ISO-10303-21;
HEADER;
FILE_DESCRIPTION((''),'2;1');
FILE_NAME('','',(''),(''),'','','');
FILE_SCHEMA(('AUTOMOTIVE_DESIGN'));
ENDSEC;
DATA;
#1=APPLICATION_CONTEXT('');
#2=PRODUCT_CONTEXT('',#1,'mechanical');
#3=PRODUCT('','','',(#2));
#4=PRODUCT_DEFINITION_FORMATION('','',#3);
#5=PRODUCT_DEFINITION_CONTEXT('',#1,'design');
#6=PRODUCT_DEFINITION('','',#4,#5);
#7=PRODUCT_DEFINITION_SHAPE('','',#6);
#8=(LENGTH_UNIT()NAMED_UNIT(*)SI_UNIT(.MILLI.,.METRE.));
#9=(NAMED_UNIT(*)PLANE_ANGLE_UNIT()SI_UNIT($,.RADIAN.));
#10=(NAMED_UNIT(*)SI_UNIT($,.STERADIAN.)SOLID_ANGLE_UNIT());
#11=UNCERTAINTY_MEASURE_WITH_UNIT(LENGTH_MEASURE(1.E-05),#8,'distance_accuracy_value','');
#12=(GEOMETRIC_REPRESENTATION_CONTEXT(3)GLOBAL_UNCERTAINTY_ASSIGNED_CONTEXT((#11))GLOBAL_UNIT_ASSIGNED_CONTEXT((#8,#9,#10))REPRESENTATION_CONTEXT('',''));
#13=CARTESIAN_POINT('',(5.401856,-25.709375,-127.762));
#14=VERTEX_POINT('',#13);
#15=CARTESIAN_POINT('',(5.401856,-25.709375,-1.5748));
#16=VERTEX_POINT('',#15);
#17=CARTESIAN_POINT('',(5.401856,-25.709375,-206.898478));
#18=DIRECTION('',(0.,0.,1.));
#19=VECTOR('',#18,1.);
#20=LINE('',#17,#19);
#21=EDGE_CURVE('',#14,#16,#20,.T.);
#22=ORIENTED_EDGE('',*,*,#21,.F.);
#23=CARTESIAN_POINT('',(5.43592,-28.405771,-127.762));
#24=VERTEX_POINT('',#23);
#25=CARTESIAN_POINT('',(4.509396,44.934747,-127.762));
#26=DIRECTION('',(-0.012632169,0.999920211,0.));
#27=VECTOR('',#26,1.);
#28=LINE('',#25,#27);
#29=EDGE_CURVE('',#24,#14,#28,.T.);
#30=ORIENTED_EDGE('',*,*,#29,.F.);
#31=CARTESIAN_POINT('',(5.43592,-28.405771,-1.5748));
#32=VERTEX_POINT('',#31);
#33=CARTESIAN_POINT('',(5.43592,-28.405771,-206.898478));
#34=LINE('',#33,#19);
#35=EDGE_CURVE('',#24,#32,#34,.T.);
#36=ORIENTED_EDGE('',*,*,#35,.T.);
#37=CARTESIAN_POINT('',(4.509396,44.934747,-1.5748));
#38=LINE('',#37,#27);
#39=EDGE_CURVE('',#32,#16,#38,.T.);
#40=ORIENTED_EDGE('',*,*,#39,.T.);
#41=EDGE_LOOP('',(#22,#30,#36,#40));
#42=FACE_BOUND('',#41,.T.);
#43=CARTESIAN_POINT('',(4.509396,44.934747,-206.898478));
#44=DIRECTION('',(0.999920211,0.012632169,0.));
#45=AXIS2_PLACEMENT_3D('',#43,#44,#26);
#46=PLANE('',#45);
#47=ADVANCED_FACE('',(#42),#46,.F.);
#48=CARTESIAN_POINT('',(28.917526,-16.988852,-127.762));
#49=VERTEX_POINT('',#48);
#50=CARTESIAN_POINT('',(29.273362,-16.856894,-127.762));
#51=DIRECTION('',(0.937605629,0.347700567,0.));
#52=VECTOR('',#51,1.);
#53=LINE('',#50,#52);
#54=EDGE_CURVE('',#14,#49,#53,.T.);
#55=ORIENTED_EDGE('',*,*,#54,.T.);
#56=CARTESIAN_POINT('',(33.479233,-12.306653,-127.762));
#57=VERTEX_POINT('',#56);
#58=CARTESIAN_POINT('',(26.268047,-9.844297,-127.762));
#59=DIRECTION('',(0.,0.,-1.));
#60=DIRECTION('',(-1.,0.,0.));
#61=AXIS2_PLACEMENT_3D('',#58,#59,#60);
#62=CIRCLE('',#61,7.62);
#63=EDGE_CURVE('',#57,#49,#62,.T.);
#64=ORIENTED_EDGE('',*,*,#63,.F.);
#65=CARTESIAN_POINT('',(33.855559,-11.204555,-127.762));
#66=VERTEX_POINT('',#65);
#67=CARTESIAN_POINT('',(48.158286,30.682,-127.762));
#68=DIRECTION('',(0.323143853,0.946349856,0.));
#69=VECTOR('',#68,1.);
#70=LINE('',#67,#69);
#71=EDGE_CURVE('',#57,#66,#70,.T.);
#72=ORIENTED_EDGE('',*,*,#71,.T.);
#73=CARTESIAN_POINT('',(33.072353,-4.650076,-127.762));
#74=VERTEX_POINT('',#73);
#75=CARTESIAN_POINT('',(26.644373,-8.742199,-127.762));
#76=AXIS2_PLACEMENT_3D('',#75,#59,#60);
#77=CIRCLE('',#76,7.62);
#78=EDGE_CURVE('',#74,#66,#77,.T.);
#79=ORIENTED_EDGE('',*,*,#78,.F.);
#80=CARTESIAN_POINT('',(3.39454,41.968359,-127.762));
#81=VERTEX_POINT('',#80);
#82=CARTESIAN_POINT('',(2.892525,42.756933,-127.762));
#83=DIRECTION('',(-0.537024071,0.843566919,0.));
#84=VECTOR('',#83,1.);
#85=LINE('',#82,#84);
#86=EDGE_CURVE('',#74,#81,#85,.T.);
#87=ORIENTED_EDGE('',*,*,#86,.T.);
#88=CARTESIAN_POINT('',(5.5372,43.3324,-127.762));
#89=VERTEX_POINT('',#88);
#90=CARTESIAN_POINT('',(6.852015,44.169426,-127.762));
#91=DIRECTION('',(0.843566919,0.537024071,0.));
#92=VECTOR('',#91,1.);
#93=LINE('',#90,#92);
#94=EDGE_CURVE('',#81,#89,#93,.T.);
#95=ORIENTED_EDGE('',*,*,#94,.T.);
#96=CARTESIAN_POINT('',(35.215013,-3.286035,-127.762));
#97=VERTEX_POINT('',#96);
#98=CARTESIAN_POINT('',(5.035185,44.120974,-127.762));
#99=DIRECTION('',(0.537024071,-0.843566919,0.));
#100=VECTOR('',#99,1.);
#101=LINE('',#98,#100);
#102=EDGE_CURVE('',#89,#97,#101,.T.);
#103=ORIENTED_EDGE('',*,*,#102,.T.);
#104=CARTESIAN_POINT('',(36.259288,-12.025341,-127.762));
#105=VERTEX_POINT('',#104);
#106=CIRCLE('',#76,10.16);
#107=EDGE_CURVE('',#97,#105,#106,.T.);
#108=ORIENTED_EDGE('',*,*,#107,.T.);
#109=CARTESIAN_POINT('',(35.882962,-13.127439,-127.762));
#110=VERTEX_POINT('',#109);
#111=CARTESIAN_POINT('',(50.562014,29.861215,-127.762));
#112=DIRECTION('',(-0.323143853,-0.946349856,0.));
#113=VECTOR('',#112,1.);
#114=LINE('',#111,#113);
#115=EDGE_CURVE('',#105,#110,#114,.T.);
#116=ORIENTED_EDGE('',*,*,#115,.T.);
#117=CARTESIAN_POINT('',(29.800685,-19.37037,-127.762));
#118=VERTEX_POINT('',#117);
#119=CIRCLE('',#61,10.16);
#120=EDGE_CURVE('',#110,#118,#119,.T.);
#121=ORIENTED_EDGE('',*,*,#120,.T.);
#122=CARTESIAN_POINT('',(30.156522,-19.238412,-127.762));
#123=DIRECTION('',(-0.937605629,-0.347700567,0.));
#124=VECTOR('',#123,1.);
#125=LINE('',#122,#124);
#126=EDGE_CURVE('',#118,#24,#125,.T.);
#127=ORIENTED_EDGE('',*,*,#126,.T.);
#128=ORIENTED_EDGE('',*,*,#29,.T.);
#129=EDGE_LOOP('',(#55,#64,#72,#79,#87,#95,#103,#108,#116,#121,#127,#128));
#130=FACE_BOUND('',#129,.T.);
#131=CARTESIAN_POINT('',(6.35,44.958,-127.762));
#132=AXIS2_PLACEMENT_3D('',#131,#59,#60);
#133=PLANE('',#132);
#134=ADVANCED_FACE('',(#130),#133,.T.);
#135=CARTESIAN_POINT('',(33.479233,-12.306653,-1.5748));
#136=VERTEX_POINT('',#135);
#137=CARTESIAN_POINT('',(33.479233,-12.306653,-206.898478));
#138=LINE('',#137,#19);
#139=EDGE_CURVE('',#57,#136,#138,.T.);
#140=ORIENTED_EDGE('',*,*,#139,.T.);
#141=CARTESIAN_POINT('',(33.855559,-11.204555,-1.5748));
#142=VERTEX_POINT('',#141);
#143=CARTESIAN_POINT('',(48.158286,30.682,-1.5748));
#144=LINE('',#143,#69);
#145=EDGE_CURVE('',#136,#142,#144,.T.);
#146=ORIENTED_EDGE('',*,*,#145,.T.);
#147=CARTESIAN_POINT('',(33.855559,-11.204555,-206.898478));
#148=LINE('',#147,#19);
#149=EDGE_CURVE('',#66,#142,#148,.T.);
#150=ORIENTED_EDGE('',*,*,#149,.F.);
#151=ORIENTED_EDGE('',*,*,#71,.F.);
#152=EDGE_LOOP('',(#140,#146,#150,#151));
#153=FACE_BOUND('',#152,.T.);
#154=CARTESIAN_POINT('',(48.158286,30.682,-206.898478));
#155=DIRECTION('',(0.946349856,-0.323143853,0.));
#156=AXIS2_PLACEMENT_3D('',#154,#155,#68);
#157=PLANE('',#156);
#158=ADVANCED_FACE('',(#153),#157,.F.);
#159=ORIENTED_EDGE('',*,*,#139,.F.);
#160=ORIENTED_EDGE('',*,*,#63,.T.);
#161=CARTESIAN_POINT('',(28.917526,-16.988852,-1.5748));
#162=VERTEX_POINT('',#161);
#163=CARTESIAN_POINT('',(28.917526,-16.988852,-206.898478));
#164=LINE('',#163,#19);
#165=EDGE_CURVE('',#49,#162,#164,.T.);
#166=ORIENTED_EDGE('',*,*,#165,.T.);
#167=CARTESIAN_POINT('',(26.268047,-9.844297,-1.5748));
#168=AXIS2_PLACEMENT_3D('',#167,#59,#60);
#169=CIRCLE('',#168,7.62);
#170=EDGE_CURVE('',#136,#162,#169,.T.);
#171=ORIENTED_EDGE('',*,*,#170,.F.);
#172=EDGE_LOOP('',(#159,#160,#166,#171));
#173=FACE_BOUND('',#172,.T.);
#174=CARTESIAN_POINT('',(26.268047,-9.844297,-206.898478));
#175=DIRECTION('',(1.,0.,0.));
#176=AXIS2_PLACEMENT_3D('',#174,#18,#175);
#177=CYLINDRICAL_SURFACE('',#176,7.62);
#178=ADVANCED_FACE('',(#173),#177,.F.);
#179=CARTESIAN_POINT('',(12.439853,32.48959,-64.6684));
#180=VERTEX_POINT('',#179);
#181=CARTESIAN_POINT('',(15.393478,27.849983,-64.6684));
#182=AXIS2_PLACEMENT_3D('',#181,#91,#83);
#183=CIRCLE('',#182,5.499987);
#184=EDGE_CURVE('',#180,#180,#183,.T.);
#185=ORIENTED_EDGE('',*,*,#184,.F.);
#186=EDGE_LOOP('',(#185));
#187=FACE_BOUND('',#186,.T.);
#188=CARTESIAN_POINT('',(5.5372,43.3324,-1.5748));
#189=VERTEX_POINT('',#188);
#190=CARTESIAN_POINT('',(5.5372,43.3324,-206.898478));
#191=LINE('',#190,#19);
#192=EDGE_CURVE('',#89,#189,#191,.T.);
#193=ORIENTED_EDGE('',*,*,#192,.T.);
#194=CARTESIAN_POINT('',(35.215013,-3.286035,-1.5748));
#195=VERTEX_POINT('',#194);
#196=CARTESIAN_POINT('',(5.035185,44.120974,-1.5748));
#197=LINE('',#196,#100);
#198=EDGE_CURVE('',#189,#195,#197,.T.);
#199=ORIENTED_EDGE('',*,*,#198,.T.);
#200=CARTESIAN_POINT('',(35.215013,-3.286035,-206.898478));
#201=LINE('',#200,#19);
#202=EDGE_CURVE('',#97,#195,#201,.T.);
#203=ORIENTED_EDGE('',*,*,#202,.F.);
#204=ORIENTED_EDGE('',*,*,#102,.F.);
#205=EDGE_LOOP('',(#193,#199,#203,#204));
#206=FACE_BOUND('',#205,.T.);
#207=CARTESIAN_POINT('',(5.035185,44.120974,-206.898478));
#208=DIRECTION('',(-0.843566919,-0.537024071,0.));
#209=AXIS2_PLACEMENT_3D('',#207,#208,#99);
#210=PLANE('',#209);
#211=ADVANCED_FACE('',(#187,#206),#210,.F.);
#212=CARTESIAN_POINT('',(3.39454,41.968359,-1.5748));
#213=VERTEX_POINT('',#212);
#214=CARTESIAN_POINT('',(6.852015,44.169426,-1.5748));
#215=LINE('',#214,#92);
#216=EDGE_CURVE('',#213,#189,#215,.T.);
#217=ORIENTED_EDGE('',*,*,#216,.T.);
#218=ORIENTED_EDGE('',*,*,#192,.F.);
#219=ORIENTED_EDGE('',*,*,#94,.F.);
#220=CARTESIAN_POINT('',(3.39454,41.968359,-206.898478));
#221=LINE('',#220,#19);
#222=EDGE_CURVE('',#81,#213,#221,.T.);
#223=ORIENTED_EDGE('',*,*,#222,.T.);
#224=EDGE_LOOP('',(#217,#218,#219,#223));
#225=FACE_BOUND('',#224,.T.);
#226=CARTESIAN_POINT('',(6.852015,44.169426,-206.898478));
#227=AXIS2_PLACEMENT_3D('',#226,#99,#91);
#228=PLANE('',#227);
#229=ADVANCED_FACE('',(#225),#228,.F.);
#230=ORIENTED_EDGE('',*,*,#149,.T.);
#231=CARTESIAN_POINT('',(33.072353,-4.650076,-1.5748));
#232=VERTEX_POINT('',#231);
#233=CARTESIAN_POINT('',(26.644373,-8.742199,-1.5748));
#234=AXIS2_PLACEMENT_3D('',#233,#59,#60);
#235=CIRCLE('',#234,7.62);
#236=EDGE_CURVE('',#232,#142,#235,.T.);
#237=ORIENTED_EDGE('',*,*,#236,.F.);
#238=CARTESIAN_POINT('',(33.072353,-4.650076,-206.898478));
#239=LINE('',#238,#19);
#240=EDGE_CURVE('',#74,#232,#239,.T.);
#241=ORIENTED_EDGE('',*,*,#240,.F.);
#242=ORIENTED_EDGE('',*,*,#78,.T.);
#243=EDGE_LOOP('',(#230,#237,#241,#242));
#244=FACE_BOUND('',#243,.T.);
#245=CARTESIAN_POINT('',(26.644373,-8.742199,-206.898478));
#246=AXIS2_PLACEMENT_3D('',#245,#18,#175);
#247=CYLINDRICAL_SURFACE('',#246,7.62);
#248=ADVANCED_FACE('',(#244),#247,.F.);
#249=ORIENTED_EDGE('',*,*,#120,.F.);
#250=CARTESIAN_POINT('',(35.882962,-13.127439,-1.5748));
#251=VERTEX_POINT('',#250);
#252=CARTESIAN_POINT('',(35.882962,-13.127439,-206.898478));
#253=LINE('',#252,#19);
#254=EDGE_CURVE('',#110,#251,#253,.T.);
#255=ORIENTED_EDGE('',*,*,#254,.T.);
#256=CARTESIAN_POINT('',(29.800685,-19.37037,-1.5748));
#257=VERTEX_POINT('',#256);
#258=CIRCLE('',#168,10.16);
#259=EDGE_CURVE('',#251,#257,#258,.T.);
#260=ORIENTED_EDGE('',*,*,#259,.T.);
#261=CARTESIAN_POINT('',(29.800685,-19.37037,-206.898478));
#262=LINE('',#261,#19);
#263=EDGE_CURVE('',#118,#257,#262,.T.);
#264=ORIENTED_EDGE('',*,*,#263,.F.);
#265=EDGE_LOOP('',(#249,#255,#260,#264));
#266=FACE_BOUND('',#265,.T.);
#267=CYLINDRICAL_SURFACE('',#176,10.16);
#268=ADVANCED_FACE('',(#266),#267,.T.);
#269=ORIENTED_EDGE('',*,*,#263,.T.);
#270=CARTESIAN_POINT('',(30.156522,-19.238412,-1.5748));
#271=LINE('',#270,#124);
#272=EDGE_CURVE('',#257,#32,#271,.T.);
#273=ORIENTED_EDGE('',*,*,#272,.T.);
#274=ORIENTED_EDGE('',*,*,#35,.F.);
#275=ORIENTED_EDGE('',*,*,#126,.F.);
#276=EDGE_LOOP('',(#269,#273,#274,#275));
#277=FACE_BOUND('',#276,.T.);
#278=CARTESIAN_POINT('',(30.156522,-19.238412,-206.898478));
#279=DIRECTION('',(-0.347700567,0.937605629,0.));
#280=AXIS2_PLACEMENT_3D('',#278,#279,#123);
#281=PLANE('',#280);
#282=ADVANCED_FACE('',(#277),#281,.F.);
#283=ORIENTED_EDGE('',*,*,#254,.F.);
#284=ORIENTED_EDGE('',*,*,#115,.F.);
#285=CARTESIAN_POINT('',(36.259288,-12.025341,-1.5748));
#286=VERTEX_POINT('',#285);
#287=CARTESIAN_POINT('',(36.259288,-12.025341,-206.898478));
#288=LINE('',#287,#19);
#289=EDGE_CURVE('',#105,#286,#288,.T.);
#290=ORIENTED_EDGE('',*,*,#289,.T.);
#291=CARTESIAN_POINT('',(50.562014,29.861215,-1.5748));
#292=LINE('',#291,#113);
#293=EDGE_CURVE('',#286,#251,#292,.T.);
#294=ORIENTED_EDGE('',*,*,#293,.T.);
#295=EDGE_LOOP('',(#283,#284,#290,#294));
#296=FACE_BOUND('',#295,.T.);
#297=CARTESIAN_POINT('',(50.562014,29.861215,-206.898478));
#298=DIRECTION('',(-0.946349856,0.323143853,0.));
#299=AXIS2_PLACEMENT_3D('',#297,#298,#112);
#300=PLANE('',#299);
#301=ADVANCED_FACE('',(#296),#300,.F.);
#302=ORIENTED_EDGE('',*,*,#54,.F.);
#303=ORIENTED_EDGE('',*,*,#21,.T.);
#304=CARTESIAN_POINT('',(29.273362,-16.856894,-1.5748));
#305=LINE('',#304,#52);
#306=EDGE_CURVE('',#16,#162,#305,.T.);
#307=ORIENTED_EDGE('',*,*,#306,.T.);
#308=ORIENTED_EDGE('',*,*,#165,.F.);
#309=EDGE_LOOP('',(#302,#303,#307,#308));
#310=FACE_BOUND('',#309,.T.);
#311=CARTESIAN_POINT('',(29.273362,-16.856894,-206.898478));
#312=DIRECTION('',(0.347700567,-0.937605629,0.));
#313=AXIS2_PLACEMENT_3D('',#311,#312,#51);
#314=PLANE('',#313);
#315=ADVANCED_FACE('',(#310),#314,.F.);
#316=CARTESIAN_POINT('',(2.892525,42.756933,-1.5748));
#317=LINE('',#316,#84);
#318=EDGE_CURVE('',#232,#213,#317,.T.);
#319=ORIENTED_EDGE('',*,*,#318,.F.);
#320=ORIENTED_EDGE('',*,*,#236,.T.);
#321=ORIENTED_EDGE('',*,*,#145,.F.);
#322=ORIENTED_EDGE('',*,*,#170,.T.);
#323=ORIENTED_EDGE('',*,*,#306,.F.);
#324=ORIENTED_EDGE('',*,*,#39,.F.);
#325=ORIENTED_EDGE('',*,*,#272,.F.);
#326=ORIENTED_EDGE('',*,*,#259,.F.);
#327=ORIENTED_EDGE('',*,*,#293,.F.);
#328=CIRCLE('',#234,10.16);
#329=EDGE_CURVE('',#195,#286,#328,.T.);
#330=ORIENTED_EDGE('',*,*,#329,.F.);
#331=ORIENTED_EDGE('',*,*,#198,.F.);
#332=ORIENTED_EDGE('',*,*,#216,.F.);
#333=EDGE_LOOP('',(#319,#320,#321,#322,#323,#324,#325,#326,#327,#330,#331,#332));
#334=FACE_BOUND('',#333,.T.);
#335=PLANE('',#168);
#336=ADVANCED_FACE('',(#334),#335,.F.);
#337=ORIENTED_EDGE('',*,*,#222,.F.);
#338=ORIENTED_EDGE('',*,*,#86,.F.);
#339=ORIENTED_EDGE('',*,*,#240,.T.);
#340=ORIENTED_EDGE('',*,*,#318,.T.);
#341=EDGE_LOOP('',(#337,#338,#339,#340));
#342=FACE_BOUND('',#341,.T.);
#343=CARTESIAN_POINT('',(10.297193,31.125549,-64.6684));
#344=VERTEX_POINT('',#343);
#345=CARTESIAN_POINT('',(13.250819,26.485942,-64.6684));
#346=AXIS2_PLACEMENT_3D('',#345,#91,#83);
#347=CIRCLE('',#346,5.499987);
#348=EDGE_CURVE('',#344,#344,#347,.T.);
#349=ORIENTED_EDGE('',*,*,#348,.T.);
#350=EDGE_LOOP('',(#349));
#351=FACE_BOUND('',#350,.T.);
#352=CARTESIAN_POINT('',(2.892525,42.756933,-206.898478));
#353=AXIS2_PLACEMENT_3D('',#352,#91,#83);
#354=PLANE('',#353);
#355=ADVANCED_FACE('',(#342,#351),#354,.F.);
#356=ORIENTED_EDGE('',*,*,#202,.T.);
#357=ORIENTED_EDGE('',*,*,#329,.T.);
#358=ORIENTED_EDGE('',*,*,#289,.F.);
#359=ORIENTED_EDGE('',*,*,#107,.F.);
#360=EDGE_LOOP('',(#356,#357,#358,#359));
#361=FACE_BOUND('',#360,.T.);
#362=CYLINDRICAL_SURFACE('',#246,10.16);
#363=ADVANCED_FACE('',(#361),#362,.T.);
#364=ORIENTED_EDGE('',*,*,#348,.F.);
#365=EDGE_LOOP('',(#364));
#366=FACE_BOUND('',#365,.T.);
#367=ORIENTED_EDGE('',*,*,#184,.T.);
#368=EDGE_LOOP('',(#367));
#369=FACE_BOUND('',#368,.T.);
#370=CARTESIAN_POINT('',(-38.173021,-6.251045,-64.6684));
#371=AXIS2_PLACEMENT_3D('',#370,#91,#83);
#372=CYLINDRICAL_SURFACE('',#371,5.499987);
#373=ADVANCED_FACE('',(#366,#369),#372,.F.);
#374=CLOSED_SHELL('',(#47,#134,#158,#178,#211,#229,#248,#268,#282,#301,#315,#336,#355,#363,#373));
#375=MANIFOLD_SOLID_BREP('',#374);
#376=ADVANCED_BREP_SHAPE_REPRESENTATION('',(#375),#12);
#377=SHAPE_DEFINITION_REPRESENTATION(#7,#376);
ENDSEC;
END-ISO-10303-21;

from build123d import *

# Parameters (mm, degrees)
BOSS_EXTRUDE1_START = -1.5748
BOSS_EXTRUDE1_DEPTH = 126.1872
SKETCH2_R           = 5.499987026
CUT_EXTRUDE1_DEPTH  = 63.5


with BuildPart() as part:
    # Sketch1 → Boss-Extrude1 (new body)
    with BuildSketch(Plane.XY.offset(BOSS_EXTRUDE1_START)):
        with BuildLine():
            Line((5.5372, 43.3324), (35.215013396, -3.286034747))
            ThreePointArc((35.215013396, -3.286034747), (36.732607503, -7.536738968), (36.259288034, -12.025340858))
            Line((36.259288034, -12.025340858), (35.882961927, -13.127438743))
            ThreePointArc((35.882961927, -13.127438743), (33.545277751, -16.934256169), (29.80068515, -19.370370386))
            Line((29.80068515, -19.370370386), (5.435919899, -28.405771229))
            Line((5.435919899, -28.405771229), (5.401855854, -25.709375395))
            Line((5.401855854, -25.709375395), (28.91752571, -16.988852088))
            ThreePointArc((28.91752571, -16.988852088), (31.725970161, -15.161766425), (33.479233293, -12.306653356))
            Line((33.479233293, -12.306653356), (33.8555594, -11.204555471))
            ThreePointArc((33.8555594, -11.204555471), (34.210549002, -7.838104053), (33.072353421, -4.650075887))
            Line((33.072353421, -4.650075887), (3.394540025, 41.96835886))
            Line((3.394540025, 41.96835886), (5.5372, 43.3324))
        make_face()
    extrude(amount=-BOSS_EXTRUDE1_DEPTH)

    # Sketch2 → Cut-Extrude1 (cut)
    with BuildSketch(Plane(origin=(23.570559322, 15.005279885, 0), x_dir=(0, 0, -1), z_dir=(0.843566919, 0.537024071, 0))):
        with Locations((64.6684, 15.22665607)):
            Circle(SKETCH2_R)
    extrude(amount=-CUT_EXTRUDE1_DEPTH, mode=Mode.SUBTRACT)


solid = part.part
